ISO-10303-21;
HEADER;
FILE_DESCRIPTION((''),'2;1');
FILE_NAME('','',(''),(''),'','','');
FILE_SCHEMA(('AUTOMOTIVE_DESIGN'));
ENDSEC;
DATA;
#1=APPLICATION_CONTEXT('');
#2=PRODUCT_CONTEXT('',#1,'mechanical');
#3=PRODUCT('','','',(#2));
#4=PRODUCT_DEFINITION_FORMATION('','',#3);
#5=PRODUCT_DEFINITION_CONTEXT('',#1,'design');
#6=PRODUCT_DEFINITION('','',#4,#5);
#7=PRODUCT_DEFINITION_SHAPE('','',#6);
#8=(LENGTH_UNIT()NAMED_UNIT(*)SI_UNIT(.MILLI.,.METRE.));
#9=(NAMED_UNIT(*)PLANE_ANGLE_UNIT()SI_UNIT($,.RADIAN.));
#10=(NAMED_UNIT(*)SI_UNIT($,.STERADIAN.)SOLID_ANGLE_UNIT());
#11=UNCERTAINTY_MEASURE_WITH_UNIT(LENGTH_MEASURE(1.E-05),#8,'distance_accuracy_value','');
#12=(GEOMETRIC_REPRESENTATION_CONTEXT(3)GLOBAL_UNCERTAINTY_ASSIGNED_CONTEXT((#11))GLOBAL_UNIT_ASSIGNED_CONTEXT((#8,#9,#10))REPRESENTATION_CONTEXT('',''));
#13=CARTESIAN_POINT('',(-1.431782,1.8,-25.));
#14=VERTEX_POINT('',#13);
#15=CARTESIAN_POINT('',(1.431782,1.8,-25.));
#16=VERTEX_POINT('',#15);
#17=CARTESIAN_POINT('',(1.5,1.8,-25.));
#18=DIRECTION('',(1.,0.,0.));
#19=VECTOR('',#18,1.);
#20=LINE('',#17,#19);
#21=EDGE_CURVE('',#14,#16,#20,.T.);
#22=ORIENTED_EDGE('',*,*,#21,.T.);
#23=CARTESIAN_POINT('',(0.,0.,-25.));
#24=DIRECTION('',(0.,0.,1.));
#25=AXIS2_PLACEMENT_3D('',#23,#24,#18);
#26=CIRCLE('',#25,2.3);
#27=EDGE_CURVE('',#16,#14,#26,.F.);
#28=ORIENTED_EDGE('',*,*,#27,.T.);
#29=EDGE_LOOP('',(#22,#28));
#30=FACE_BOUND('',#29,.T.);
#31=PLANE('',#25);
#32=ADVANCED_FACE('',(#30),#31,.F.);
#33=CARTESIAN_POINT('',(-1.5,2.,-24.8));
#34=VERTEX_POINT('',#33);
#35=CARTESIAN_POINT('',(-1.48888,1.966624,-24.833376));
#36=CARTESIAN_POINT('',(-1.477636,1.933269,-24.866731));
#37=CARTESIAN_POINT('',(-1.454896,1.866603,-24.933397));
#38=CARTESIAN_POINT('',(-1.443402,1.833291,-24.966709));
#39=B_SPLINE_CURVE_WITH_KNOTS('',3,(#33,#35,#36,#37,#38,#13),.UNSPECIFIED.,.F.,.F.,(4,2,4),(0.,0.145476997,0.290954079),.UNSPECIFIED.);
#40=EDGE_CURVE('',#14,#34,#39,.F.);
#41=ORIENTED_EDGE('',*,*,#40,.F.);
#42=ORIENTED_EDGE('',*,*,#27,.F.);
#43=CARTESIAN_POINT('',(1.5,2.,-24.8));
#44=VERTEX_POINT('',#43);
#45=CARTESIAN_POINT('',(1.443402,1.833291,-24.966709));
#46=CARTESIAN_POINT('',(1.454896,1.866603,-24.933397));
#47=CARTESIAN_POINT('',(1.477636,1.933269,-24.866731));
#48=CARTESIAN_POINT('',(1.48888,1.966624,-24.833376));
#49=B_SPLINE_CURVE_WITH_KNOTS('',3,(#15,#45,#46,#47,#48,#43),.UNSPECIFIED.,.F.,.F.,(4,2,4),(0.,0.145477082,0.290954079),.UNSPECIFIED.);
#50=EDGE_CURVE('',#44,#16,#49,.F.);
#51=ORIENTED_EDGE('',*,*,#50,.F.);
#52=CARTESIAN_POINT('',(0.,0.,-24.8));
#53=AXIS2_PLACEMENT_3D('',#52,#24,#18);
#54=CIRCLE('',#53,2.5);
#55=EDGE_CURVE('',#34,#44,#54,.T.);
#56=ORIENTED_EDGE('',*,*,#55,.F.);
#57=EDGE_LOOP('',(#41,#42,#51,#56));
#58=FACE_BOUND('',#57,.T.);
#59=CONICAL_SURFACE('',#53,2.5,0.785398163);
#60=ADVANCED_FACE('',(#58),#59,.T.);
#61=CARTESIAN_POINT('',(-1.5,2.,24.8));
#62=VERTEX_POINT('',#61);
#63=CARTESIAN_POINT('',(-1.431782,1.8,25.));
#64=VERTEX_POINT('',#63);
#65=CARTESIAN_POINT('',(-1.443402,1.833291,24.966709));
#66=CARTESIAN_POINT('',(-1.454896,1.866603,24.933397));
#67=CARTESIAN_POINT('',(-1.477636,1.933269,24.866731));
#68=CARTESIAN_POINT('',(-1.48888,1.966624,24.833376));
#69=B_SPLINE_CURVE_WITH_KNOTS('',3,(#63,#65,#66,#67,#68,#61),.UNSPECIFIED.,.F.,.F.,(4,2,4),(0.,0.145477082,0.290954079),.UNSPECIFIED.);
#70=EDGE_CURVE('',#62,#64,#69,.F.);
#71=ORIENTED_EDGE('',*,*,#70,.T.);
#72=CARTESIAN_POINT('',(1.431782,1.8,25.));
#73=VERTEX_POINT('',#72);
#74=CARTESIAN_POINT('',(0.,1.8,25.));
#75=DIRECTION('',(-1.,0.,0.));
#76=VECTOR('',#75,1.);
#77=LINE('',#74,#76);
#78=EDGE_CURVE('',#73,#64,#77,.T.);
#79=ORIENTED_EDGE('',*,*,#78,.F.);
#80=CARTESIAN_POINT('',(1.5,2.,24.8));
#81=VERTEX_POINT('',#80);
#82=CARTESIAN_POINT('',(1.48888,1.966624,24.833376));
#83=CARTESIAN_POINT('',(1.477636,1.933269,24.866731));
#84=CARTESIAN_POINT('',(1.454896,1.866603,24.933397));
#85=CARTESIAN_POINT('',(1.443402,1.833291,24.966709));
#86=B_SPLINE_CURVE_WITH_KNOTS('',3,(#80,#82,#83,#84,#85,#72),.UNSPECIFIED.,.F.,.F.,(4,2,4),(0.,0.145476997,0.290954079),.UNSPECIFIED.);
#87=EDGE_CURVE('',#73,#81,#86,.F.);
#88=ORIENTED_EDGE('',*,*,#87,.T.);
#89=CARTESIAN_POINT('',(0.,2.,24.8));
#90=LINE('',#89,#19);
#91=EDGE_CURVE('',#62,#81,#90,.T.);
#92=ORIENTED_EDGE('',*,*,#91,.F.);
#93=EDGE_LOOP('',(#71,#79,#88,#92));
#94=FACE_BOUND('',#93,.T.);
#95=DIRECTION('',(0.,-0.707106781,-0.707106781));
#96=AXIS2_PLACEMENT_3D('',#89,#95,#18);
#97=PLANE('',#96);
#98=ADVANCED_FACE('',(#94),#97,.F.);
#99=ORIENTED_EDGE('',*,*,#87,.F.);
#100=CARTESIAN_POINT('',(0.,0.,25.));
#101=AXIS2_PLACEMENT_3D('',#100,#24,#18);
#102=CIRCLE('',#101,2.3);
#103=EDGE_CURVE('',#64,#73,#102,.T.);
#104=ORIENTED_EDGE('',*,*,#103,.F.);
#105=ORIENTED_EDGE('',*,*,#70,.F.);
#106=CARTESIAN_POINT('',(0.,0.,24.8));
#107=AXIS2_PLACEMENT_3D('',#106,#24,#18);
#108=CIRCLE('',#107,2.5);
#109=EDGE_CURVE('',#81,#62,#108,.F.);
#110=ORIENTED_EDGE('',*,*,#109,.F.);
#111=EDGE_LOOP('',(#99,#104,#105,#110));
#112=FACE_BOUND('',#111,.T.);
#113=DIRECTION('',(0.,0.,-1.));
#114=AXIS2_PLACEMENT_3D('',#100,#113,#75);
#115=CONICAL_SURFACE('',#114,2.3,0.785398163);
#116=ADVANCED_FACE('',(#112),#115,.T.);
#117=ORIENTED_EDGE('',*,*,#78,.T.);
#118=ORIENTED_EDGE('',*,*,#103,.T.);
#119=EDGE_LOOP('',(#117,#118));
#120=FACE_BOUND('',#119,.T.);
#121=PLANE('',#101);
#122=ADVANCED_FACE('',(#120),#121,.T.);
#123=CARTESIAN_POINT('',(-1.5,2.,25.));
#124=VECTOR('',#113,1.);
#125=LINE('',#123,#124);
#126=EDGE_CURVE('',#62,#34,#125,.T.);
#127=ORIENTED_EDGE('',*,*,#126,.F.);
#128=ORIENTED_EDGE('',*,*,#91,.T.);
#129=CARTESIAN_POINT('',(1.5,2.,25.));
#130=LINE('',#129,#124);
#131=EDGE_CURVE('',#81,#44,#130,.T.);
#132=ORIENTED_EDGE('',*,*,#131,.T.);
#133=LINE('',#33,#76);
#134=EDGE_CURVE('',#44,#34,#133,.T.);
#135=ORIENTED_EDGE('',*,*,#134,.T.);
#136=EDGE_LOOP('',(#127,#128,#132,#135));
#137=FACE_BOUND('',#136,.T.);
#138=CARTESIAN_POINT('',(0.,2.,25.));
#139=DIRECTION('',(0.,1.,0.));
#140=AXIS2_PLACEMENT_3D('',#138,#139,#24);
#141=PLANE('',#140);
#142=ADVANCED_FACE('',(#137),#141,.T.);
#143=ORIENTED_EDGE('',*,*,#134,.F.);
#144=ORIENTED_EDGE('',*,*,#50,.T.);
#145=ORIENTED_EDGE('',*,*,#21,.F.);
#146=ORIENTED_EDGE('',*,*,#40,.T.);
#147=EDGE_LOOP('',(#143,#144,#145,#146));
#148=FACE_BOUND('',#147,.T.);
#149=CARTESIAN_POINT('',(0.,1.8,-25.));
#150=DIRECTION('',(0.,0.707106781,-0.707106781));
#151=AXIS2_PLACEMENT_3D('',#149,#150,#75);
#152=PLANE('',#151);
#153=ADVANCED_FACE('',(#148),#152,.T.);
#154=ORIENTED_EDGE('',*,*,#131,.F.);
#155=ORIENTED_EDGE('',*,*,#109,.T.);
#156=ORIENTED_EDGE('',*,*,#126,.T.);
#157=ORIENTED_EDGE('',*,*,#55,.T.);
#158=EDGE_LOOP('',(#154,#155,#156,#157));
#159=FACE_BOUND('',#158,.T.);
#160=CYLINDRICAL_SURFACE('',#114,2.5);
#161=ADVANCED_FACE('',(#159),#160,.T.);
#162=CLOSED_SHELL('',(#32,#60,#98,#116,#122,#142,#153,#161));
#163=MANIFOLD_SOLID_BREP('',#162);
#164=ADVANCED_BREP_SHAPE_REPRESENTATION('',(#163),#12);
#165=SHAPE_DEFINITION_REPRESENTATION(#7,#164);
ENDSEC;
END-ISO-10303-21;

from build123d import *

# Parameters (mm, degrees)
BOSS_EXTRUDE1_DEPTH = 25
CHAMFER1_SIZE       = 0.2


with BuildPart() as part:
    # Sketch1 → Boss-Extrude1 (new body, symmetric)
    with BuildSketch(Plane.XY):
        with BuildLine():
            Line((1.5, 2), (-1.5, 2))
            ThreePointArc((-1.5, 2), (-1.118033989, -2.236067977), (2.5, 0))
            ThreePointArc((2.5, 0), (2.236067977, 1.118033989), (1.5, 2))
        make_face()
    extrude(amount=BOSS_EXTRUDE1_DEPTH, both=True)

    # Chamfer1
    chamfer1_edges = [part.edges().sort_by_distance(p)[0] for p in [
        (0, 2, -25),
        (0, -2.5, 25),
        (0, -2.5, -25),
        (0, 2, 25),
    ]]
    chamfer(chamfer1_edges, length=CHAMFER1_SIZE)


solid = part.part
